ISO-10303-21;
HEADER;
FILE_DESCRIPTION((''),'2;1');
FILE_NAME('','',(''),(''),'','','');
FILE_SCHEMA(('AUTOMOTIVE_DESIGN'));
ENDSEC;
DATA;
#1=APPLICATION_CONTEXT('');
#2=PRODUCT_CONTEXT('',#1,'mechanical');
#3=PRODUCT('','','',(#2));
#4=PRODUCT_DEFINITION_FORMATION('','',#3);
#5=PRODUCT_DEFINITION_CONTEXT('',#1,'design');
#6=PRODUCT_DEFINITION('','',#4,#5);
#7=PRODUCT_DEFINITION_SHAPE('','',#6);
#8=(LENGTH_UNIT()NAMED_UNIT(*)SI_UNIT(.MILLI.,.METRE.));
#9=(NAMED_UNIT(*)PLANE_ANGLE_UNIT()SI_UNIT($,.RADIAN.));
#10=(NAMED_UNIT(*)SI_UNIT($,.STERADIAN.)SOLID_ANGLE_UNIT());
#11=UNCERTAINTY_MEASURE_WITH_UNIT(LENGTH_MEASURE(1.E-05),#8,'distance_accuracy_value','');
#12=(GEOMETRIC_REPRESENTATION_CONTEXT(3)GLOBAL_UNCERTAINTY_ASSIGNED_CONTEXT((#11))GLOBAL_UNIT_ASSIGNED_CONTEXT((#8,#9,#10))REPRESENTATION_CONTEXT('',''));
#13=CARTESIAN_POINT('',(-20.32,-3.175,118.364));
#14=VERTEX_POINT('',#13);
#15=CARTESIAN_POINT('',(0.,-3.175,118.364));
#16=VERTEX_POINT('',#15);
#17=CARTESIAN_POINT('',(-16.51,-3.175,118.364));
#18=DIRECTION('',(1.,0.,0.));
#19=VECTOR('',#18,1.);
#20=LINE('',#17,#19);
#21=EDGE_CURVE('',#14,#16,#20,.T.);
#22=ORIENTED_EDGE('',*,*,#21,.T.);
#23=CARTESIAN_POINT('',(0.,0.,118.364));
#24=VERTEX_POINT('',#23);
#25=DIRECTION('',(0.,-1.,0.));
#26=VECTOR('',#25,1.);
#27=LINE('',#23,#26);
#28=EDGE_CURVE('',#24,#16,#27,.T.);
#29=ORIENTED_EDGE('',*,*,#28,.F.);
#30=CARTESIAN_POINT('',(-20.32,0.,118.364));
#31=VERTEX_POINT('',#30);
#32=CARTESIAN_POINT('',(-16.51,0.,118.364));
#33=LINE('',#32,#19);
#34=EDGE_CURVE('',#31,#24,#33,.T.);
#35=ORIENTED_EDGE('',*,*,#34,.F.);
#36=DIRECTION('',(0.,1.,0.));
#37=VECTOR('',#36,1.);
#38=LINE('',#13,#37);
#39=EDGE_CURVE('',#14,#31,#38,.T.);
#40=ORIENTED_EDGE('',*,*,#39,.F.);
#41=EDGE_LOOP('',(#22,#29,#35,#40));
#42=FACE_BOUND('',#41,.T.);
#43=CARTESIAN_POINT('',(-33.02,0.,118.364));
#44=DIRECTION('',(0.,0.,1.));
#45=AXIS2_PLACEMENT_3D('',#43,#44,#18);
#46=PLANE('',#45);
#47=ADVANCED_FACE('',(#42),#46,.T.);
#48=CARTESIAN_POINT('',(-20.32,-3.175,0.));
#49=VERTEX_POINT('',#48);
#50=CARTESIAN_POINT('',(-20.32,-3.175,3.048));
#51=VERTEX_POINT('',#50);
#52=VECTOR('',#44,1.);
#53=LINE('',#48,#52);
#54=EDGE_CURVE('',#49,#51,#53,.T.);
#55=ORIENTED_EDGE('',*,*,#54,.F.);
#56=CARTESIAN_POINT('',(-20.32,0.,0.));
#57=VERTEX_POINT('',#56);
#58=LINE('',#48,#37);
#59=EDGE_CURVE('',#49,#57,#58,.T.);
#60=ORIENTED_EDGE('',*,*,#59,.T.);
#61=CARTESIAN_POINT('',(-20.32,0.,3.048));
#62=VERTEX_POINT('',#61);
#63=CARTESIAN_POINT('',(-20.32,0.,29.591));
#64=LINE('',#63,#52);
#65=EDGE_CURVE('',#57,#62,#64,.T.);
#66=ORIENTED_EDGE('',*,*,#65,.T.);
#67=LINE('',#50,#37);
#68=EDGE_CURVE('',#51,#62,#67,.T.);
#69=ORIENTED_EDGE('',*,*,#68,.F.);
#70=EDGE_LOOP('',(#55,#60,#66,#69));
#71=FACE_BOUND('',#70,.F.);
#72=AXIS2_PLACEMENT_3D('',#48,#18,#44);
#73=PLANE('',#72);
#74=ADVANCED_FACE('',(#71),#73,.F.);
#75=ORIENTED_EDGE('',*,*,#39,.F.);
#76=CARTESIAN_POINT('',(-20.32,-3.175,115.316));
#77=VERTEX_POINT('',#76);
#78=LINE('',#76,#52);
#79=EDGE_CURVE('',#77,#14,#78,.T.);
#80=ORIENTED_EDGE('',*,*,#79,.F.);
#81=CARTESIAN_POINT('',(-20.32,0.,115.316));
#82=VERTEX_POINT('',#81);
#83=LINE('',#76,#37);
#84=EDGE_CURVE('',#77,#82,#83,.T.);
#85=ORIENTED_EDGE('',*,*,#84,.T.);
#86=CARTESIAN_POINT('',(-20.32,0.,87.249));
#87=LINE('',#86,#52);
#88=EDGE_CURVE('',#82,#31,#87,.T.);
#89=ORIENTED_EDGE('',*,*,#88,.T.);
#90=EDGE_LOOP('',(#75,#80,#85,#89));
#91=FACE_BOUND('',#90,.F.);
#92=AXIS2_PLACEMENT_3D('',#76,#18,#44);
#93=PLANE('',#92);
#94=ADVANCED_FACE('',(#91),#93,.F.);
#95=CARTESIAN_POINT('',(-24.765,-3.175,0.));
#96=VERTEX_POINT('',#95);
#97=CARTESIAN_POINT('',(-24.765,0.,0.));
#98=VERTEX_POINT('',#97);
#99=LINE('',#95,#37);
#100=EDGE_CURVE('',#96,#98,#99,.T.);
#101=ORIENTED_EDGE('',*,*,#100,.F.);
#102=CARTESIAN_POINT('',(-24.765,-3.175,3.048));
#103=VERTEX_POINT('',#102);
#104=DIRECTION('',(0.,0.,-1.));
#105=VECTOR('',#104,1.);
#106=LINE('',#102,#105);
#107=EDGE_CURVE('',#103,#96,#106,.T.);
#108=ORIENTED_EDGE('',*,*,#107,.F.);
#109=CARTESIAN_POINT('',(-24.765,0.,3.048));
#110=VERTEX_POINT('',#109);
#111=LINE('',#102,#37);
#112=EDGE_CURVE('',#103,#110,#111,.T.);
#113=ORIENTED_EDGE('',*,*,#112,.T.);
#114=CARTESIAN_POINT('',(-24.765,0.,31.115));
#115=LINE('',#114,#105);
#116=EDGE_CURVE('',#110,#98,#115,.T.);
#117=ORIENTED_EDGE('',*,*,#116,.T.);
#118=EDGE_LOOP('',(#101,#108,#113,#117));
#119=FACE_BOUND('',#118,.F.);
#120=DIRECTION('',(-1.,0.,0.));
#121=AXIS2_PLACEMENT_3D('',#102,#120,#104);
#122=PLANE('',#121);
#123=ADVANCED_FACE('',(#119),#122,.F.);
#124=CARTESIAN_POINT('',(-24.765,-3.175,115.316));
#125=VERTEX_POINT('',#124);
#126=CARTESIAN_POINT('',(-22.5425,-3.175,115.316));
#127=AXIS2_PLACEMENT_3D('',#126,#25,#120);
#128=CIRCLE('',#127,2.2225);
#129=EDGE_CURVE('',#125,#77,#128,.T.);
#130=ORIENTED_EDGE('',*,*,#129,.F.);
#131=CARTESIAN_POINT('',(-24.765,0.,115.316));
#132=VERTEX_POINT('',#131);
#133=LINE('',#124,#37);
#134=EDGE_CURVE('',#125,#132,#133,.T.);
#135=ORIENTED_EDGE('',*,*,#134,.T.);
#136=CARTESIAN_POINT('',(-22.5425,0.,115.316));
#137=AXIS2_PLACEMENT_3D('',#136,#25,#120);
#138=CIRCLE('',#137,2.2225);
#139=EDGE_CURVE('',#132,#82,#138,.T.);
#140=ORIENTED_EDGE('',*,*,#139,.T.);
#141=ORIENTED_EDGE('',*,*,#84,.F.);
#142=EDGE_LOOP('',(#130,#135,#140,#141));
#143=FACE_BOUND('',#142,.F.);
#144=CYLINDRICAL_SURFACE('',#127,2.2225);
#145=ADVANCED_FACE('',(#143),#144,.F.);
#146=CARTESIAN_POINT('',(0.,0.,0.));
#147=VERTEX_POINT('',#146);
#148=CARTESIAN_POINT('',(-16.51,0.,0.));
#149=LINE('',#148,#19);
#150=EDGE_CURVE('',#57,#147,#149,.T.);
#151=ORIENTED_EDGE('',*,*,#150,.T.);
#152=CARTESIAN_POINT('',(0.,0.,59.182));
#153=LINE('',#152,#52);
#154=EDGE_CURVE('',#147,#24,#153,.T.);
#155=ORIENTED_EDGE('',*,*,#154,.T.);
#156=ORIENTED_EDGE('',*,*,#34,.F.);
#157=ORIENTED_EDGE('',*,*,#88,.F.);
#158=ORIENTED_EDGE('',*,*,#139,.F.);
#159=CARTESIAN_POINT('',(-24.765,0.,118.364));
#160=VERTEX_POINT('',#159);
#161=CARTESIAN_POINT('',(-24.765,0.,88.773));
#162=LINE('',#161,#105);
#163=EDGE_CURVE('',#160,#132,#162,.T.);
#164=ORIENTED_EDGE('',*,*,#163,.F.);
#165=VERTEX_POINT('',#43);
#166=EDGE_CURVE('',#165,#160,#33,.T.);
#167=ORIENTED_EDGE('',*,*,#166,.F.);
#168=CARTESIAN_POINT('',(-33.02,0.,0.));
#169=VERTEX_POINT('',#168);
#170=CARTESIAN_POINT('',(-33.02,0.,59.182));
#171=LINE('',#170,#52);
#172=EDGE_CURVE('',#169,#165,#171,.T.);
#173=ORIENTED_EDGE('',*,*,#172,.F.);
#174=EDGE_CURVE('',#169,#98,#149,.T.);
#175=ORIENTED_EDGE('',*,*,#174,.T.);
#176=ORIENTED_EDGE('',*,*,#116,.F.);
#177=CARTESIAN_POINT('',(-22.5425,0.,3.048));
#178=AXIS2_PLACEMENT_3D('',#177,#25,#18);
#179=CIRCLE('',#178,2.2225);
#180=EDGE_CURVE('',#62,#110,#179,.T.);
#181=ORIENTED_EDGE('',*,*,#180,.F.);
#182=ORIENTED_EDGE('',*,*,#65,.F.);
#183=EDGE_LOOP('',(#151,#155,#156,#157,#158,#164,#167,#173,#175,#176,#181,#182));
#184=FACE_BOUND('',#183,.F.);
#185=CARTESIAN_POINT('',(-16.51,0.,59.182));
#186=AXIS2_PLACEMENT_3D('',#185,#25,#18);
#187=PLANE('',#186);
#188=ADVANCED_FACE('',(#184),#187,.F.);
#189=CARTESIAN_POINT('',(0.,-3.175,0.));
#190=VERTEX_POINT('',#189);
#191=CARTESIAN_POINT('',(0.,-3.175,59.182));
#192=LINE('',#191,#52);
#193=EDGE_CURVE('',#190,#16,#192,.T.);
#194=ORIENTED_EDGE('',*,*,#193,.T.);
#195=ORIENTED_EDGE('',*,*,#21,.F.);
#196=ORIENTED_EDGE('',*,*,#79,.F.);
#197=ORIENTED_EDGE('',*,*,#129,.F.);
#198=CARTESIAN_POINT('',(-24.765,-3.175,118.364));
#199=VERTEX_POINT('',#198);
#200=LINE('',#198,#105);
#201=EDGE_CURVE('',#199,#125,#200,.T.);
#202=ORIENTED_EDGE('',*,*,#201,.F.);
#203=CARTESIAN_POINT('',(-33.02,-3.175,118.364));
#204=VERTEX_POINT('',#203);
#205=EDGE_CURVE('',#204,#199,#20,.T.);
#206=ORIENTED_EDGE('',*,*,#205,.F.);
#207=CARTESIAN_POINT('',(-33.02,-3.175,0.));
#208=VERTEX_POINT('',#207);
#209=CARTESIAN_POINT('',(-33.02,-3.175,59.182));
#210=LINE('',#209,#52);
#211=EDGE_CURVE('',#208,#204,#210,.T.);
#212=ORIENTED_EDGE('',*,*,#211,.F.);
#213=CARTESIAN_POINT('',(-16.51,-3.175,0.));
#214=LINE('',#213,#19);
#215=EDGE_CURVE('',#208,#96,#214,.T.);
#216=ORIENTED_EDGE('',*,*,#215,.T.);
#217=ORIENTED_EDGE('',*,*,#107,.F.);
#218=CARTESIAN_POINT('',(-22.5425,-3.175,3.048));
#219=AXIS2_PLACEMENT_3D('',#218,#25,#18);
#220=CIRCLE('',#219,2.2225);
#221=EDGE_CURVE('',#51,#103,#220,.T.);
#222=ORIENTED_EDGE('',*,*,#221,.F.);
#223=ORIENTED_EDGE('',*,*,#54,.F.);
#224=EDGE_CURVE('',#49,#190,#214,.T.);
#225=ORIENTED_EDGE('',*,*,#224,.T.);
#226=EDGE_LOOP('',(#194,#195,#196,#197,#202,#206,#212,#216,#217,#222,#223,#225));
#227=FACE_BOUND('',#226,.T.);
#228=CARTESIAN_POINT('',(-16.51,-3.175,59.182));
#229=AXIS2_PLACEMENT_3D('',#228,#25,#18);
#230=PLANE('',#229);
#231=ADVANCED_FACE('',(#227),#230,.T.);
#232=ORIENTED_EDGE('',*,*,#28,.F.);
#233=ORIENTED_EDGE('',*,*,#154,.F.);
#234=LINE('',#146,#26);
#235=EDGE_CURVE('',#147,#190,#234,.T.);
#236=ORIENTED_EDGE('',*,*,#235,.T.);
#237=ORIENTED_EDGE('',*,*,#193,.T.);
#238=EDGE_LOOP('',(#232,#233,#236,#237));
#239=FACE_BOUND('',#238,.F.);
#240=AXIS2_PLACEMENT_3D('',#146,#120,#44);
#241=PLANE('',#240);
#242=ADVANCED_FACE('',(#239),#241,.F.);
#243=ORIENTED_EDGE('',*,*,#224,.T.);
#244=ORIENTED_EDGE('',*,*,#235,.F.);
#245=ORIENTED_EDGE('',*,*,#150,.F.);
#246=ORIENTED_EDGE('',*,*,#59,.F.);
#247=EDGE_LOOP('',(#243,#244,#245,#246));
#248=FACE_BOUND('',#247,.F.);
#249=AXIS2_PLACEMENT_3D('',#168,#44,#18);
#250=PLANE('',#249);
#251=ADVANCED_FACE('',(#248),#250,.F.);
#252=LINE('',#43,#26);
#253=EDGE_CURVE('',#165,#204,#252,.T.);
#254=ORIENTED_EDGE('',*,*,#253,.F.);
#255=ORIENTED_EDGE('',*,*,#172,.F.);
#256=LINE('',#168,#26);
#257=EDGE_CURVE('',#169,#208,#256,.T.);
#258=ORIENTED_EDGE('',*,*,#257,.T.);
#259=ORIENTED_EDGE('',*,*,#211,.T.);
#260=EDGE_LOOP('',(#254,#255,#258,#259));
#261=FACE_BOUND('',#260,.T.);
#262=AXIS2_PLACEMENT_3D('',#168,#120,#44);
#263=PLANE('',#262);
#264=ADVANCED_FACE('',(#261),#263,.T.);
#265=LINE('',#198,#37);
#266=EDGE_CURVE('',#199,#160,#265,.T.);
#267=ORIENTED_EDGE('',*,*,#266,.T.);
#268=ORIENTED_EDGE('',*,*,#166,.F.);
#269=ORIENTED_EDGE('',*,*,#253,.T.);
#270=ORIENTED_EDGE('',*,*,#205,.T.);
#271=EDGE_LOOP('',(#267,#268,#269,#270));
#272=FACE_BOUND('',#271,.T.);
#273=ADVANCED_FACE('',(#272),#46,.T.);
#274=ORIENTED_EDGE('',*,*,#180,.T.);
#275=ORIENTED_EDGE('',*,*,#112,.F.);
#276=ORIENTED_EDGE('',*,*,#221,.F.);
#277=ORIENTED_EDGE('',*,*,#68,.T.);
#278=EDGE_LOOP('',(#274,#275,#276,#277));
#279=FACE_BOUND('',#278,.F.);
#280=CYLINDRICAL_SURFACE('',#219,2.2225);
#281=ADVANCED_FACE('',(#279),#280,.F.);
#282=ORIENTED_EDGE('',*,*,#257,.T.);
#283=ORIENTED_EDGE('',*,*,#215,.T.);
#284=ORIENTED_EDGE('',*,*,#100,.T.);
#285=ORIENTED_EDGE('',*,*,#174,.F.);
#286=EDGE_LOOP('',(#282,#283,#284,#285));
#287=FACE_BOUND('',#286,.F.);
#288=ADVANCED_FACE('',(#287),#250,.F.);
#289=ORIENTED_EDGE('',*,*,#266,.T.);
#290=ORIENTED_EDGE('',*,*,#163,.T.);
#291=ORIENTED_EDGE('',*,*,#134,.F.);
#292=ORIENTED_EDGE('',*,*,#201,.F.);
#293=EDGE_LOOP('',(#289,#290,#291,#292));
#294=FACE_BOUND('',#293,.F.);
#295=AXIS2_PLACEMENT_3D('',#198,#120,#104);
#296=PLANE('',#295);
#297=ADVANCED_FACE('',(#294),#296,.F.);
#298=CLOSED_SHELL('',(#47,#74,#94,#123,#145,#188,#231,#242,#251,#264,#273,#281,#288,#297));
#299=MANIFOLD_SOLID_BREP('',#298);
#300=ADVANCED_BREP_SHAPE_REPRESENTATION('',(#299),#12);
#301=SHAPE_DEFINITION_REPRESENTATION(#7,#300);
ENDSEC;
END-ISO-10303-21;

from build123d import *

# Parameters (mm, degrees)
F0_W     = 33.02
F0_H     = 118.364
F1_DEPTH = 3.175
F3_DEPTH = 3.176


with BuildPart() as f1:
    # F0 (on Front) → F1 (new body)
    with BuildSketch(Plane.XZ):
        with Locations((-16.51, 59.182)):
            Rectangle(F0_W, F0_H)
    extrude(amount=F1_DEPTH)

    # F2 (on face) → F3 (cut, through all)
    with BuildSketch(Plane.XZ.offset(3.175)):
        with BuildLine():
            Line((-24.765, 3.048), (-24.765, 0))
            Line((-24.765, 0), (-20.32, 0))
            Line((-20.32, 0), (-20.32, 3.048))
            ThreePointArc((-20.32, 3.048), (-22.5425, 5.2705), (-24.765, 3.048))
        make_face()
        with BuildLine():
            Line((-24.765, 118.364), (-24.765, 115.316))
            ThreePointArc((-24.765, 115.316), (-22.5425, 113.0935), (-20.32, 115.316))
            Line((-20.32, 115.316), (-20.32, 118.364))
            Line((-20.32, 118.364), (-24.765, 118.364))
        make_face()
    extrude(amount=-F3_DEPTH, mode=Mode.SUBTRACT)


solid = f1.part
